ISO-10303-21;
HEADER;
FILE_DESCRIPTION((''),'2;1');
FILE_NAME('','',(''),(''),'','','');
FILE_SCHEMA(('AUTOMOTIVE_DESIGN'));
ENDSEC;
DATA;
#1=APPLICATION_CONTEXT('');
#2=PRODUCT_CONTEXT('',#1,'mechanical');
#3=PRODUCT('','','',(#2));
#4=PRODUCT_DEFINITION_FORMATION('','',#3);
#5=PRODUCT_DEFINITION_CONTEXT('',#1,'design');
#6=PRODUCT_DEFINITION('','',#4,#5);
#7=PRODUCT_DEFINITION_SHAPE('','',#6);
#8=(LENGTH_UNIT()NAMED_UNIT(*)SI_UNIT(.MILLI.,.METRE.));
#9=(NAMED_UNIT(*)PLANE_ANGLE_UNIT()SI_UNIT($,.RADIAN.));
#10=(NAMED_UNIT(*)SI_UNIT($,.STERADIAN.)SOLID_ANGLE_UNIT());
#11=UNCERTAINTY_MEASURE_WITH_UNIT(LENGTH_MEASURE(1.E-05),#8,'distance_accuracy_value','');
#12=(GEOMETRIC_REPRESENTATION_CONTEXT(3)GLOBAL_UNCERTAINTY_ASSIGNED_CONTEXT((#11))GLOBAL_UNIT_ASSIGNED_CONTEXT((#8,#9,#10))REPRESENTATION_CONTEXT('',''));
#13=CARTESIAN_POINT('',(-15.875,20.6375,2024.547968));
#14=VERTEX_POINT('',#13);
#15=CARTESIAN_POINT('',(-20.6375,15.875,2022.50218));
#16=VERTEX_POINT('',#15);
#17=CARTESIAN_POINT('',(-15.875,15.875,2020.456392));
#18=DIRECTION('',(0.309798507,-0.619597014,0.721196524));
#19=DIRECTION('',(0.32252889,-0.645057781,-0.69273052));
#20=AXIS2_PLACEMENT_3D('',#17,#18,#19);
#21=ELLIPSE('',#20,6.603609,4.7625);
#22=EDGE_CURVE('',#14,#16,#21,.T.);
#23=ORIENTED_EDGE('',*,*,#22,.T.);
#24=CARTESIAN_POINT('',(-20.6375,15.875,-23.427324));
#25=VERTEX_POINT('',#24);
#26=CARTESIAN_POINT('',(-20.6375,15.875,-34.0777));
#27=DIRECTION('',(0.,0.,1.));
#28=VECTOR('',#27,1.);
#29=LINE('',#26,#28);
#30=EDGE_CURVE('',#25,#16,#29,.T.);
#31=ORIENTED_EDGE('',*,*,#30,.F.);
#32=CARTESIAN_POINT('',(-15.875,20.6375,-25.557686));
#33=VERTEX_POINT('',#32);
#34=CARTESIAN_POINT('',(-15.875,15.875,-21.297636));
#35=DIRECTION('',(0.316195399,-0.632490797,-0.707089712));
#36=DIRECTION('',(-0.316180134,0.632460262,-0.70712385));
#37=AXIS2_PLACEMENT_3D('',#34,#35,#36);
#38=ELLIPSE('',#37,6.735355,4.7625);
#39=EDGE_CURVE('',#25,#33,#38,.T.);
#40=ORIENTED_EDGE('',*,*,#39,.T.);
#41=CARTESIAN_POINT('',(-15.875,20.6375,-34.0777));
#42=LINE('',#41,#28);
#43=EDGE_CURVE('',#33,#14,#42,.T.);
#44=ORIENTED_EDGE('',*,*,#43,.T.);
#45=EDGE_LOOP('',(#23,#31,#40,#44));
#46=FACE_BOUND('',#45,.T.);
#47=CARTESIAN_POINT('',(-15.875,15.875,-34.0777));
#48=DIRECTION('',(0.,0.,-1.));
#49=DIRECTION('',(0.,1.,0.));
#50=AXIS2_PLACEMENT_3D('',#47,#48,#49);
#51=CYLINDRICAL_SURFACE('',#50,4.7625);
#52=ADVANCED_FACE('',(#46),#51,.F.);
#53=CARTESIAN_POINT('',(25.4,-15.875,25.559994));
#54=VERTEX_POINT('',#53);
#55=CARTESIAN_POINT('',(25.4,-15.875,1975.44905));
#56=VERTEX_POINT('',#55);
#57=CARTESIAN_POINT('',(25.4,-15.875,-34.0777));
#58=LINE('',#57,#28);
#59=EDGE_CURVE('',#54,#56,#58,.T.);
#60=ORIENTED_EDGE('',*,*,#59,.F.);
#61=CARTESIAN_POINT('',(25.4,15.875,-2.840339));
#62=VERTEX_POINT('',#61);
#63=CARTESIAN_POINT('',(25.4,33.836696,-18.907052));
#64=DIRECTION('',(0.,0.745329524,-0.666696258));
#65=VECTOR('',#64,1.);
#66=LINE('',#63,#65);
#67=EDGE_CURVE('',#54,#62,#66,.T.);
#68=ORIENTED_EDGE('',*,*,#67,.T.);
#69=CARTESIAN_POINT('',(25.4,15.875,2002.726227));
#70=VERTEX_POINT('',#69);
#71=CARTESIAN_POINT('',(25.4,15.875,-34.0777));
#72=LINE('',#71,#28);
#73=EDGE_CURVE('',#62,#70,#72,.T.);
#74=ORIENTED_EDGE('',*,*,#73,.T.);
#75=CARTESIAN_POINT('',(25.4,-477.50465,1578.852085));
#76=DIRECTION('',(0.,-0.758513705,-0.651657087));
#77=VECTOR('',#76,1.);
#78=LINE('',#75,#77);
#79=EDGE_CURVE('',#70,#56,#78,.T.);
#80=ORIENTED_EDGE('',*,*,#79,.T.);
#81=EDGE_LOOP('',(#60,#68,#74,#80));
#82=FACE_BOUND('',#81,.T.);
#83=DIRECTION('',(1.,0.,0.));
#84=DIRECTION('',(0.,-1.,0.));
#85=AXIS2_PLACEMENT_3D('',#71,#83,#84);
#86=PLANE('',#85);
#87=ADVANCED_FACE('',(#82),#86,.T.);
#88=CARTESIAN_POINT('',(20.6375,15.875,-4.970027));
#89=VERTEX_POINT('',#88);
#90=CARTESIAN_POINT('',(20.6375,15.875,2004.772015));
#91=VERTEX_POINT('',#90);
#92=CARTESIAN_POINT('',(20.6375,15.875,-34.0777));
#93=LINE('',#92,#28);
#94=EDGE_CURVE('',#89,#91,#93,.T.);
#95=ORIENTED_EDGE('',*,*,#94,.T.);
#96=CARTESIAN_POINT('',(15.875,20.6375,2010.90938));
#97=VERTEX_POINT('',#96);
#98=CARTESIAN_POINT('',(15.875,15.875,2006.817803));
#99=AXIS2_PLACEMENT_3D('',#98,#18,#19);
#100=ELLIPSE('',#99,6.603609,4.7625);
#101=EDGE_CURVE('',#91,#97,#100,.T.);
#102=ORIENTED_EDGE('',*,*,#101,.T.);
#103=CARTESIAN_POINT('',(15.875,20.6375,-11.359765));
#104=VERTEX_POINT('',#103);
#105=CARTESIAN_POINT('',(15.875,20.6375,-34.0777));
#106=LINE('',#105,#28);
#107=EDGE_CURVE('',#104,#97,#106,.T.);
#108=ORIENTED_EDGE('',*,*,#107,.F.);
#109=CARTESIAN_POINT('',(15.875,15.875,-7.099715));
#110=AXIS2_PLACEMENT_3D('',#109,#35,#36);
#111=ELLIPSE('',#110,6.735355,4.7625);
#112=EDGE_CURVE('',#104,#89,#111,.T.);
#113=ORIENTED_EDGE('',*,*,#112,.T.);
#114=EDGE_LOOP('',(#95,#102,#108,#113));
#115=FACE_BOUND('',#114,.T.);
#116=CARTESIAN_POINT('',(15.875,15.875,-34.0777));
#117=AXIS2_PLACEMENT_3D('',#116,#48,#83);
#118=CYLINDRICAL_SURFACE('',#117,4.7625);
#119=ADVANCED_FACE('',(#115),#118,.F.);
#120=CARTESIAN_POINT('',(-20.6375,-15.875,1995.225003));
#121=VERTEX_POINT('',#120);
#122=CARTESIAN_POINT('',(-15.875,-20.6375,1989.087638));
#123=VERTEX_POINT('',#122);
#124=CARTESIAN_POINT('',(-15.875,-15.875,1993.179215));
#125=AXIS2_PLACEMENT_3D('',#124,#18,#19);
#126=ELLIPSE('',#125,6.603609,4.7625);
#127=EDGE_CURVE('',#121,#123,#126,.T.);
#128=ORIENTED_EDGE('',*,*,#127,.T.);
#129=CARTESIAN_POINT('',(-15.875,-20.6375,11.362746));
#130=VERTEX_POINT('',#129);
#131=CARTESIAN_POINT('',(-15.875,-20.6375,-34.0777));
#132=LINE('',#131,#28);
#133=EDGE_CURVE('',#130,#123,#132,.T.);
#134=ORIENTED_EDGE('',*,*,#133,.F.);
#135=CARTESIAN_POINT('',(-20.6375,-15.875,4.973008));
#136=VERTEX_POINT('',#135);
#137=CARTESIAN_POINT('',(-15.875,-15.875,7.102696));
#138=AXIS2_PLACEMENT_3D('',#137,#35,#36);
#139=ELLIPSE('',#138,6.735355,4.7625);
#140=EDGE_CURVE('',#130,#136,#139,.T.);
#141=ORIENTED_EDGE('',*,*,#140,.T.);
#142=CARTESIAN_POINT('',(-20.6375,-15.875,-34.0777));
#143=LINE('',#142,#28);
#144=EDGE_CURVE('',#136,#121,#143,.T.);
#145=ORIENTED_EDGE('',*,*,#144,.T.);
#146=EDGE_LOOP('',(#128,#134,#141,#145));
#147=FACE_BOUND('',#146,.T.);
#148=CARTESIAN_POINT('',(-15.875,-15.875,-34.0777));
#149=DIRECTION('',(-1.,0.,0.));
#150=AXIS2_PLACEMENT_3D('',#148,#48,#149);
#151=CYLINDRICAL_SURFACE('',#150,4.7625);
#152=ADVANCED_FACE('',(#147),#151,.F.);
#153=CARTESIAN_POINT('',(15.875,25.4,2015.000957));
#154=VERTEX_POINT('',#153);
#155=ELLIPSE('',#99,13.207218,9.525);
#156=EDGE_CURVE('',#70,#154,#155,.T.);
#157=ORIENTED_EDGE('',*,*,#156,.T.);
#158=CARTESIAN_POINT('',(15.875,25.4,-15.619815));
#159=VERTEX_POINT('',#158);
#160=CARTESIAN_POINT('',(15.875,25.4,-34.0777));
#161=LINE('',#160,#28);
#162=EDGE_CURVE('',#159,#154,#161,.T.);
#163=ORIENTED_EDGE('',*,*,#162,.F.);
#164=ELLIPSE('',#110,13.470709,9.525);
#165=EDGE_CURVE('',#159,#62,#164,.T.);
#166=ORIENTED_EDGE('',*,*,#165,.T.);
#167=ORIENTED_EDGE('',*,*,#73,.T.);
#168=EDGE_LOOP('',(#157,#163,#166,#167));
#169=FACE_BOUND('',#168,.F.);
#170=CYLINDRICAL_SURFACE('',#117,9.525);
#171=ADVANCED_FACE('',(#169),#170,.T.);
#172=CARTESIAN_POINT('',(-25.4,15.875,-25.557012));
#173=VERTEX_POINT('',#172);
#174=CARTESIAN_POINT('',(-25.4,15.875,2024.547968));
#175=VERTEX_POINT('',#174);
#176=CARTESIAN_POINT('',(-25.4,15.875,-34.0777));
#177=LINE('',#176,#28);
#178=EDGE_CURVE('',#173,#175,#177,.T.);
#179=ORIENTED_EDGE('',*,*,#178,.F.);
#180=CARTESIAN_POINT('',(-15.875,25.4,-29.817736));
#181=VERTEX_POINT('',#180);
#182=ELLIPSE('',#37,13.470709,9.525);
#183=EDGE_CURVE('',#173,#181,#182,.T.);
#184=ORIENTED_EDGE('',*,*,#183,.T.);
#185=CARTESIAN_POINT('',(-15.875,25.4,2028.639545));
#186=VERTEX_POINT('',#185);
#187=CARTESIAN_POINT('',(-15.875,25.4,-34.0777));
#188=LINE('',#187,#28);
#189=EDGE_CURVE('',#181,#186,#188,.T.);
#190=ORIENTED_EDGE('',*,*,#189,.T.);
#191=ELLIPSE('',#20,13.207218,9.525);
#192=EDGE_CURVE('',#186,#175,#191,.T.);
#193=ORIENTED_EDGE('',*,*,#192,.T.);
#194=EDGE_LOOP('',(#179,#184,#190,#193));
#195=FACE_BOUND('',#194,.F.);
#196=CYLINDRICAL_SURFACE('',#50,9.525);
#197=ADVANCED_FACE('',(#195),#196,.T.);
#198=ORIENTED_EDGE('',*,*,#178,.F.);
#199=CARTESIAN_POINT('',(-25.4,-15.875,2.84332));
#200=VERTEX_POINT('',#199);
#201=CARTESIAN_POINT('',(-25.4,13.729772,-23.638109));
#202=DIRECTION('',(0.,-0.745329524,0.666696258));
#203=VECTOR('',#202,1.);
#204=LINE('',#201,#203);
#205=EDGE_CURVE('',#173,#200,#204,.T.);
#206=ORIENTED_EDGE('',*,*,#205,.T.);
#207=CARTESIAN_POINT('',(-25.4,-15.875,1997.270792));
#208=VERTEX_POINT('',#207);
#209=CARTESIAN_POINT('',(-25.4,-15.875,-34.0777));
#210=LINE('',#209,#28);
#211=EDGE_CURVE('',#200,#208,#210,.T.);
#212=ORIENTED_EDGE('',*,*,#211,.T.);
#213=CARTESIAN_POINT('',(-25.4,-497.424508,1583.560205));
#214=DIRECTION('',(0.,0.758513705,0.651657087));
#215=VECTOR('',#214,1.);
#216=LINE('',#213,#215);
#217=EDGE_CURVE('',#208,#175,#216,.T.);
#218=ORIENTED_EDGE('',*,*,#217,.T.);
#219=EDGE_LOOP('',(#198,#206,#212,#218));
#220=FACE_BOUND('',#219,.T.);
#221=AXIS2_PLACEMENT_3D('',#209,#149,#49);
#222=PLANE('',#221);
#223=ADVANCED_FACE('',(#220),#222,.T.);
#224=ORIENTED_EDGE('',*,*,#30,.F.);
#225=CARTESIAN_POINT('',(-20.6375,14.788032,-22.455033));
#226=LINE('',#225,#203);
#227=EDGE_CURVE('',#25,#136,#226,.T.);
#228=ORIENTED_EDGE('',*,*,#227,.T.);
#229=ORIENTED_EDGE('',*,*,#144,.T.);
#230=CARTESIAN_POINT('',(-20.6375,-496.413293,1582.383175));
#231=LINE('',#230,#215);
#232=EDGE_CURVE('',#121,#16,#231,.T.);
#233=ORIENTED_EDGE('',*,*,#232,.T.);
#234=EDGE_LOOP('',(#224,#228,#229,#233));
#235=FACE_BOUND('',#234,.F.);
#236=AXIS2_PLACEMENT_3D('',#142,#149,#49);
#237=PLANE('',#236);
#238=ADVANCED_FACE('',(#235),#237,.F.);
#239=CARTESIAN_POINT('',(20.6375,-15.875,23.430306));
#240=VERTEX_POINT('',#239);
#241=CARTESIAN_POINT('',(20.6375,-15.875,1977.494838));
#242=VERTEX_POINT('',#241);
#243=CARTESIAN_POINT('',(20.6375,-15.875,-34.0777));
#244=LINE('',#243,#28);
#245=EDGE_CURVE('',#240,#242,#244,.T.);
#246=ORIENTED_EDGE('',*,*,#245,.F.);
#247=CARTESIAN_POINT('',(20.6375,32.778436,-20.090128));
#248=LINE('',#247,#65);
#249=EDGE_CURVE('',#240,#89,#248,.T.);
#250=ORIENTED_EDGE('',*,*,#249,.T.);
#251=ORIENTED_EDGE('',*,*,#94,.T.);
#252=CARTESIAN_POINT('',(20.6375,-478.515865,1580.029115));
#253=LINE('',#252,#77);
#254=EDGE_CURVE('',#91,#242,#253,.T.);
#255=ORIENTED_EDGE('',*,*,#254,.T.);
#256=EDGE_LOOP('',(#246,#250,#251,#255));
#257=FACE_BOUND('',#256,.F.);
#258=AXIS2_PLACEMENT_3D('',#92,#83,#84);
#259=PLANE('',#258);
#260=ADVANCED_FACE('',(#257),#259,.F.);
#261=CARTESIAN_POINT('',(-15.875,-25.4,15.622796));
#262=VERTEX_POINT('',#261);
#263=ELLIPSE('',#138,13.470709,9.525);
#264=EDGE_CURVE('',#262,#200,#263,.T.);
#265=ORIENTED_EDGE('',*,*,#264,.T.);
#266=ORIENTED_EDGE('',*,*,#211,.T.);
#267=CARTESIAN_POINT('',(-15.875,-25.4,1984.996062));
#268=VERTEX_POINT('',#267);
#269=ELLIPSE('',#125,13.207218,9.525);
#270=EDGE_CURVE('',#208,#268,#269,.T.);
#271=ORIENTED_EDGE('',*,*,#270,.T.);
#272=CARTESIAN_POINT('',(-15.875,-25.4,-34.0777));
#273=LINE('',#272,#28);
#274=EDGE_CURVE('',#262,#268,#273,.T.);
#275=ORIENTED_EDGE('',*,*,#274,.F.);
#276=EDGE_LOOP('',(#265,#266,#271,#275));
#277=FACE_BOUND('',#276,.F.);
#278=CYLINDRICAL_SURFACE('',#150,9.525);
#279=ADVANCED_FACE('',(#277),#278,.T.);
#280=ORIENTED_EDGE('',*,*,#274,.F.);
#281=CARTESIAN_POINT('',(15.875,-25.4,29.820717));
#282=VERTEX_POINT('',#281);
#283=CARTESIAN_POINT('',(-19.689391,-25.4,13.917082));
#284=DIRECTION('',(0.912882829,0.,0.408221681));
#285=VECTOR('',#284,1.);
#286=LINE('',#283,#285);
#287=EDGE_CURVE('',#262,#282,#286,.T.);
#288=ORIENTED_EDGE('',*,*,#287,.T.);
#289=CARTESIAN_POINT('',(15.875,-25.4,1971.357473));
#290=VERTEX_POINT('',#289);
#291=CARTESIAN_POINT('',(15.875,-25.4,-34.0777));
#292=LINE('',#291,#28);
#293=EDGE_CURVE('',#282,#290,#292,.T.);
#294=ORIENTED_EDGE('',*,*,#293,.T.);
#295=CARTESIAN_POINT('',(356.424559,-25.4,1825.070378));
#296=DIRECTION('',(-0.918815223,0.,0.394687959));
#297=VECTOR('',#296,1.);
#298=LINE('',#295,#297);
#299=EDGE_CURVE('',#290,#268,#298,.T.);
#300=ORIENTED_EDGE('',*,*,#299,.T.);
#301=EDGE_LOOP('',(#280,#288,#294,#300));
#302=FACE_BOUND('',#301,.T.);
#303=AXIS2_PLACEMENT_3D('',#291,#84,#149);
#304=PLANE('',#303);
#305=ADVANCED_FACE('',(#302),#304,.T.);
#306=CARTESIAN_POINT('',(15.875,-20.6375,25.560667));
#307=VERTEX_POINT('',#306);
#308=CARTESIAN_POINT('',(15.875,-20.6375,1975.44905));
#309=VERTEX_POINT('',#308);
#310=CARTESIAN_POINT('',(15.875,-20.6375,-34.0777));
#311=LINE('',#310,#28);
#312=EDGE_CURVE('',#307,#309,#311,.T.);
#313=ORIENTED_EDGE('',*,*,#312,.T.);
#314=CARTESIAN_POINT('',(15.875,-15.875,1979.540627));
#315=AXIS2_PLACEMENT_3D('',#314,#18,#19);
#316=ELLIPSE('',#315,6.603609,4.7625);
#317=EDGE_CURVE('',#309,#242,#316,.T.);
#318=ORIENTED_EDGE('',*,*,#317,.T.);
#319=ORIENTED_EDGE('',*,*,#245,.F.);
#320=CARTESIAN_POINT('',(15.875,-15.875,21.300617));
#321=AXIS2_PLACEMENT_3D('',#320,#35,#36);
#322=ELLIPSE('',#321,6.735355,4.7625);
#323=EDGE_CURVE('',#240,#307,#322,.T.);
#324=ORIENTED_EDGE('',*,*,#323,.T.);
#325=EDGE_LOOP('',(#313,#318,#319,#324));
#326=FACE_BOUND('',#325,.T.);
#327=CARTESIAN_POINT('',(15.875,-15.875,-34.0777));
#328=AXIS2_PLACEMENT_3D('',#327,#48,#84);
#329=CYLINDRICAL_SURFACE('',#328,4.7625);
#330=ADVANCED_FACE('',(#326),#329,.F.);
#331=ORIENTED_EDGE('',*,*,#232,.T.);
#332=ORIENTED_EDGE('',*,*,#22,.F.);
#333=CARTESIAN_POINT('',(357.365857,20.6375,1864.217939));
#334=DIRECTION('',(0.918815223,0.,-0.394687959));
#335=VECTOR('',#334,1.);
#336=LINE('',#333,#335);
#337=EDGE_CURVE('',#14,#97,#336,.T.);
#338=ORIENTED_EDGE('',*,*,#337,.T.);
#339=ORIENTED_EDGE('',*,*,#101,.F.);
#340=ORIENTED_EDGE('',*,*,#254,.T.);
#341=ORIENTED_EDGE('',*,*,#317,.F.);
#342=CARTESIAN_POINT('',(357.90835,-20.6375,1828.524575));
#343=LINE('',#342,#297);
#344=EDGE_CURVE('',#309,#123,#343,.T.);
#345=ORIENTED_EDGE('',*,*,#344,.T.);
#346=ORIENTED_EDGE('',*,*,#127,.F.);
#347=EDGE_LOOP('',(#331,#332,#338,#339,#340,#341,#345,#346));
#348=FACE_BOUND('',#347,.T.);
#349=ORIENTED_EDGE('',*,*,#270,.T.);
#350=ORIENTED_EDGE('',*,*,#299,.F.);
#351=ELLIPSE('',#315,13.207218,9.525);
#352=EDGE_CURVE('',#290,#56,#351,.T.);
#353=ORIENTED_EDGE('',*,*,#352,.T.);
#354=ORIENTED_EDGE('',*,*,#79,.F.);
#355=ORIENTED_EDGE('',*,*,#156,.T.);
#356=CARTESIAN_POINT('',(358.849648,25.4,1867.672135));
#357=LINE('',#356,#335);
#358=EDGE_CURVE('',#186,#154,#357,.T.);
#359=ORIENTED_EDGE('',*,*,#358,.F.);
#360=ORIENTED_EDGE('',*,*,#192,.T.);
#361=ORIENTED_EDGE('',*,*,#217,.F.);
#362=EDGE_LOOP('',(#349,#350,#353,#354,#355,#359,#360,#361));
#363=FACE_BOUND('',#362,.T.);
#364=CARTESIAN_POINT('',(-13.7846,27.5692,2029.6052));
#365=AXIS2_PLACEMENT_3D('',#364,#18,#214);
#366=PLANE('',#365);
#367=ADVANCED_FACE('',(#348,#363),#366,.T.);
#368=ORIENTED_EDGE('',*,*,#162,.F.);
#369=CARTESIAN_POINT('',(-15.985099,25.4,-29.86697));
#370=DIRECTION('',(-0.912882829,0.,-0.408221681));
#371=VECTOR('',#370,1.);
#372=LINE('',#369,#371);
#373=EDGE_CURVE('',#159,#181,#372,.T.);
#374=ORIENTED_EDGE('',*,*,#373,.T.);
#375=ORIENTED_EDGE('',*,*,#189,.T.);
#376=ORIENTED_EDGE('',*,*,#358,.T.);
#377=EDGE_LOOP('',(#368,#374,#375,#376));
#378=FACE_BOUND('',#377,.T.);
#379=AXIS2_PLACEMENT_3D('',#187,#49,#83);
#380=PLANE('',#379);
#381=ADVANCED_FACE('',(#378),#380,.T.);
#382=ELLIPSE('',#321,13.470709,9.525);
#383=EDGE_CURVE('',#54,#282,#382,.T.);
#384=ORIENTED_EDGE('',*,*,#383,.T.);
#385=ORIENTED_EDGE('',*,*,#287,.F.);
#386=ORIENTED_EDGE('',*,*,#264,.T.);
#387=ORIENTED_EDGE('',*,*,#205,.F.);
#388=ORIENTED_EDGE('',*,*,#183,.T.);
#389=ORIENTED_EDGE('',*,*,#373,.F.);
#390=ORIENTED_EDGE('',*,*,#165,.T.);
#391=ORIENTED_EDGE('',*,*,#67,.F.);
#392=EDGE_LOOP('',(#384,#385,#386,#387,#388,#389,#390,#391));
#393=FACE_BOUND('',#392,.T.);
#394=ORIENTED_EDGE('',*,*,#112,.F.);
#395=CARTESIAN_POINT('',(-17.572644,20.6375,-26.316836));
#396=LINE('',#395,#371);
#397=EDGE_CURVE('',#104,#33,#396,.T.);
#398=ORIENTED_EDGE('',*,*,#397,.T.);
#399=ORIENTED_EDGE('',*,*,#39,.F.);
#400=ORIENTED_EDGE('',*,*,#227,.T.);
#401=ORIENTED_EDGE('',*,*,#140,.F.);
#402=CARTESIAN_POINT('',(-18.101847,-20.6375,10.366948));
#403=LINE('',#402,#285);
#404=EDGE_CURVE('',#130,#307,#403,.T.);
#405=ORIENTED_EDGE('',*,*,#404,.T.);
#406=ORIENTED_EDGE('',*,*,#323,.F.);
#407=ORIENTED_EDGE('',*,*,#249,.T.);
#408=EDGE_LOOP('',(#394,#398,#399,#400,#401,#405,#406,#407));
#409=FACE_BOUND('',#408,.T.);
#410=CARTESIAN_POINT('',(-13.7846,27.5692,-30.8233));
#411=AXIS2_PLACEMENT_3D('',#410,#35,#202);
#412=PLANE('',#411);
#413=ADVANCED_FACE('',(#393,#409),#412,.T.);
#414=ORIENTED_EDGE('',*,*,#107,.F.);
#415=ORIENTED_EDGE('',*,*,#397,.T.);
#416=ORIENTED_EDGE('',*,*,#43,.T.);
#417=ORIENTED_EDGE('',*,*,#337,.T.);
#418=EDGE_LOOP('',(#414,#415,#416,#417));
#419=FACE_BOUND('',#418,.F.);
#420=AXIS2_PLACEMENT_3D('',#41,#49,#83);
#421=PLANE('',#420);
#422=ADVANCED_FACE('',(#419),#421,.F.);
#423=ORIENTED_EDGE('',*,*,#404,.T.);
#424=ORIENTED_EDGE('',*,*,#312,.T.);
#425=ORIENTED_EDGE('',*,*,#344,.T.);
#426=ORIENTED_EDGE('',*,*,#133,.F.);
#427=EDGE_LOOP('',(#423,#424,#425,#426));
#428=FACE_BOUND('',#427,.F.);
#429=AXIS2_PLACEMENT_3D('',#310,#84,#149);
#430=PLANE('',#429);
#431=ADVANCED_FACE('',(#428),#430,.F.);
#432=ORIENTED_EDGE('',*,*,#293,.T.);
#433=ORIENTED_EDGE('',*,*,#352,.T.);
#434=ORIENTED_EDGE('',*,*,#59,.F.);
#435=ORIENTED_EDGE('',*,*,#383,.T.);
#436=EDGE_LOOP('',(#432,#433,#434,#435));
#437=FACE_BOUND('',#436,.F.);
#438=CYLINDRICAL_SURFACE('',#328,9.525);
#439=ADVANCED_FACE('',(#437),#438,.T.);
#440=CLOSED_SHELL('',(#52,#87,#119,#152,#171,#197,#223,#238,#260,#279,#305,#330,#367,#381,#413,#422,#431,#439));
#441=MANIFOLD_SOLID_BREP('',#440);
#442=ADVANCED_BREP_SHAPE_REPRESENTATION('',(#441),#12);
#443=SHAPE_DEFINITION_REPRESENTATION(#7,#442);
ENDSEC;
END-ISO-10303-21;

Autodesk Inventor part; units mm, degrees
ref_plane "Plano inicial" through (0, 0, -34.0777) normal (0, 0, 1) x (1, 0, 0)
ref_plane "Plano final" through (0, 0, 2032.731) normal (0, 0, 1) x (1, 0, 0)
sketch "Esboço" plane through (0, 0, 0) normal (0, 0, 1) x (1, 0, 0)
  line L0 (-25.4, -15.875) -> (-25.4, 15.875)
  line L1 (-15.875, 25.4) -> (15.875, 25.4)
  line L2 (25.4, 15.875) -> (25.4, -15.875)
  line L3 (15.875, -25.4) -> (-15.875, -25.4)
  arc A0 (-25.4, -15.875) -> (-15.875, -25.4) centre (-15.875, -15.875) ccw
  arc A1 (-15.875, 25.4) -> (-25.4, 15.875) centre (-15.875, 15.875) ccw
  arc A2 (25.4, 15.875) -> (15.875, 25.4) centre (15.875, 15.875) ccw
  arc A3 (15.875, -25.4) -> (25.4, -15.875) centre (15.875, -15.875) ccw
  arc A4 (-15.875, 20.6375) -> (-20.6375, 15.875) centre (-15.875, 15.875) ccw
  line L4 (-15.875, 20.6375) -> (15.875, 20.6375)
  arc A5 (20.6375, 15.875) -> (15.875, 20.6375) centre (15.875, 15.875) ccw
  line L5 (20.6375, 15.875) -> (20.6375, -15.875)
  arc A6 (15.875, -20.6375) -> (20.6375, -15.875) centre (15.875, -15.875) ccw
  line L6 (15.875, -20.6375) -> (-15.875, -20.6375)
  arc A7 (-20.6375, -15.875) -> (-15.875, -20.6375) centre (-15.875, -15.875) ccw
  line L7 (-20.6375, -15.875) -> (-20.6375, 15.875)
  line L8 (0, 38.3218) -> (0, -38.3218) construction
  line L9 (-38.3218, 0) -> (38.3218, 0) construction
  dimension "d10" = 50.8
  dimension "d11" = 50.8
  dimension "d12" = 4.7625
  dimension "d15" = 25.4
  dimension "d16" = 25.4
  dimension "d17" = 9.525
extrude "Corpo" add sketch "Esboço" along normal up to surface (2066.8087 mm away) from surface at -34.0777
sketch "Sketch3" plane through (0, 0, 0) normal (0, 0, 1) x (1, 0, 0)
  line L0 (0, 0) -> (10, 0)
ref_plane "Work Plane3" through (0, 0, 0) normal (0, -1, 0) x (1, 0, 0)
sketch "Sketch4" plane through (0, 0, 0) normal (0, -1, 0) x (1, 0, 0)
  line L0 (-2, -34.0777) -> (12, -34.0777)
  line L1 (-2, 2032.731) -> (12, 2032.731)
  dimension "d19" = 2066.8087
ref_plane "Plano de trabalho4" through (-13.7846, 27.5692, -30.8233) normal (0.3162, -0.6325, -0.7071) x (0.6586, 0.6828, -0.3162)
split "Dividir1" plane through (-13.7846, 27.5692, -30.8233) removes the side toward (0.3162, -0.6325, -0.7071)
ref_plane "Plano de trabalho5" through (-13.7846, 27.5692, 2029.6052) normal (0.3098, -0.6196, 0.7212) x (0.9442, 0.1115, -0.3098)
split "Dividir2" plane through (-13.7846, 27.5692, 2029.6052) removes the side toward (0.3098, -0.6196, 0.7212)
equation "\"d10\" = G_H"
equation "\"d11\" = G_W"
equation "\"d12\" = G_T"
equation "\"d15\" = 0.5 * d10"
equation "\"d16\" = 0.5 * d11"
equation "\"d17\" = G_IR"
equation "\"d3\" = G_L"
equation "\"G_W\" = 50.8"
equation "\"G_H\" = 50.8"
equation "\"G_T\" = 4.7625"
equation "\"G_IR\" = 9.525"
equation "\"G_L\" = 2060.38202"
equation "\"G_OFFSET_START\" = 34.07768"
equation "\"G_OFFSET_END\" = 32.73098"
equation "\"d13\" = -G_OFFSET_START"
equation "\"d14\" = G_OFFSET_END + B_L"
equation "\"B_L\" = 2000"
properties part number "AISC - 2 x 2 x 3/16 - 81,117" material "Aço, suave"
